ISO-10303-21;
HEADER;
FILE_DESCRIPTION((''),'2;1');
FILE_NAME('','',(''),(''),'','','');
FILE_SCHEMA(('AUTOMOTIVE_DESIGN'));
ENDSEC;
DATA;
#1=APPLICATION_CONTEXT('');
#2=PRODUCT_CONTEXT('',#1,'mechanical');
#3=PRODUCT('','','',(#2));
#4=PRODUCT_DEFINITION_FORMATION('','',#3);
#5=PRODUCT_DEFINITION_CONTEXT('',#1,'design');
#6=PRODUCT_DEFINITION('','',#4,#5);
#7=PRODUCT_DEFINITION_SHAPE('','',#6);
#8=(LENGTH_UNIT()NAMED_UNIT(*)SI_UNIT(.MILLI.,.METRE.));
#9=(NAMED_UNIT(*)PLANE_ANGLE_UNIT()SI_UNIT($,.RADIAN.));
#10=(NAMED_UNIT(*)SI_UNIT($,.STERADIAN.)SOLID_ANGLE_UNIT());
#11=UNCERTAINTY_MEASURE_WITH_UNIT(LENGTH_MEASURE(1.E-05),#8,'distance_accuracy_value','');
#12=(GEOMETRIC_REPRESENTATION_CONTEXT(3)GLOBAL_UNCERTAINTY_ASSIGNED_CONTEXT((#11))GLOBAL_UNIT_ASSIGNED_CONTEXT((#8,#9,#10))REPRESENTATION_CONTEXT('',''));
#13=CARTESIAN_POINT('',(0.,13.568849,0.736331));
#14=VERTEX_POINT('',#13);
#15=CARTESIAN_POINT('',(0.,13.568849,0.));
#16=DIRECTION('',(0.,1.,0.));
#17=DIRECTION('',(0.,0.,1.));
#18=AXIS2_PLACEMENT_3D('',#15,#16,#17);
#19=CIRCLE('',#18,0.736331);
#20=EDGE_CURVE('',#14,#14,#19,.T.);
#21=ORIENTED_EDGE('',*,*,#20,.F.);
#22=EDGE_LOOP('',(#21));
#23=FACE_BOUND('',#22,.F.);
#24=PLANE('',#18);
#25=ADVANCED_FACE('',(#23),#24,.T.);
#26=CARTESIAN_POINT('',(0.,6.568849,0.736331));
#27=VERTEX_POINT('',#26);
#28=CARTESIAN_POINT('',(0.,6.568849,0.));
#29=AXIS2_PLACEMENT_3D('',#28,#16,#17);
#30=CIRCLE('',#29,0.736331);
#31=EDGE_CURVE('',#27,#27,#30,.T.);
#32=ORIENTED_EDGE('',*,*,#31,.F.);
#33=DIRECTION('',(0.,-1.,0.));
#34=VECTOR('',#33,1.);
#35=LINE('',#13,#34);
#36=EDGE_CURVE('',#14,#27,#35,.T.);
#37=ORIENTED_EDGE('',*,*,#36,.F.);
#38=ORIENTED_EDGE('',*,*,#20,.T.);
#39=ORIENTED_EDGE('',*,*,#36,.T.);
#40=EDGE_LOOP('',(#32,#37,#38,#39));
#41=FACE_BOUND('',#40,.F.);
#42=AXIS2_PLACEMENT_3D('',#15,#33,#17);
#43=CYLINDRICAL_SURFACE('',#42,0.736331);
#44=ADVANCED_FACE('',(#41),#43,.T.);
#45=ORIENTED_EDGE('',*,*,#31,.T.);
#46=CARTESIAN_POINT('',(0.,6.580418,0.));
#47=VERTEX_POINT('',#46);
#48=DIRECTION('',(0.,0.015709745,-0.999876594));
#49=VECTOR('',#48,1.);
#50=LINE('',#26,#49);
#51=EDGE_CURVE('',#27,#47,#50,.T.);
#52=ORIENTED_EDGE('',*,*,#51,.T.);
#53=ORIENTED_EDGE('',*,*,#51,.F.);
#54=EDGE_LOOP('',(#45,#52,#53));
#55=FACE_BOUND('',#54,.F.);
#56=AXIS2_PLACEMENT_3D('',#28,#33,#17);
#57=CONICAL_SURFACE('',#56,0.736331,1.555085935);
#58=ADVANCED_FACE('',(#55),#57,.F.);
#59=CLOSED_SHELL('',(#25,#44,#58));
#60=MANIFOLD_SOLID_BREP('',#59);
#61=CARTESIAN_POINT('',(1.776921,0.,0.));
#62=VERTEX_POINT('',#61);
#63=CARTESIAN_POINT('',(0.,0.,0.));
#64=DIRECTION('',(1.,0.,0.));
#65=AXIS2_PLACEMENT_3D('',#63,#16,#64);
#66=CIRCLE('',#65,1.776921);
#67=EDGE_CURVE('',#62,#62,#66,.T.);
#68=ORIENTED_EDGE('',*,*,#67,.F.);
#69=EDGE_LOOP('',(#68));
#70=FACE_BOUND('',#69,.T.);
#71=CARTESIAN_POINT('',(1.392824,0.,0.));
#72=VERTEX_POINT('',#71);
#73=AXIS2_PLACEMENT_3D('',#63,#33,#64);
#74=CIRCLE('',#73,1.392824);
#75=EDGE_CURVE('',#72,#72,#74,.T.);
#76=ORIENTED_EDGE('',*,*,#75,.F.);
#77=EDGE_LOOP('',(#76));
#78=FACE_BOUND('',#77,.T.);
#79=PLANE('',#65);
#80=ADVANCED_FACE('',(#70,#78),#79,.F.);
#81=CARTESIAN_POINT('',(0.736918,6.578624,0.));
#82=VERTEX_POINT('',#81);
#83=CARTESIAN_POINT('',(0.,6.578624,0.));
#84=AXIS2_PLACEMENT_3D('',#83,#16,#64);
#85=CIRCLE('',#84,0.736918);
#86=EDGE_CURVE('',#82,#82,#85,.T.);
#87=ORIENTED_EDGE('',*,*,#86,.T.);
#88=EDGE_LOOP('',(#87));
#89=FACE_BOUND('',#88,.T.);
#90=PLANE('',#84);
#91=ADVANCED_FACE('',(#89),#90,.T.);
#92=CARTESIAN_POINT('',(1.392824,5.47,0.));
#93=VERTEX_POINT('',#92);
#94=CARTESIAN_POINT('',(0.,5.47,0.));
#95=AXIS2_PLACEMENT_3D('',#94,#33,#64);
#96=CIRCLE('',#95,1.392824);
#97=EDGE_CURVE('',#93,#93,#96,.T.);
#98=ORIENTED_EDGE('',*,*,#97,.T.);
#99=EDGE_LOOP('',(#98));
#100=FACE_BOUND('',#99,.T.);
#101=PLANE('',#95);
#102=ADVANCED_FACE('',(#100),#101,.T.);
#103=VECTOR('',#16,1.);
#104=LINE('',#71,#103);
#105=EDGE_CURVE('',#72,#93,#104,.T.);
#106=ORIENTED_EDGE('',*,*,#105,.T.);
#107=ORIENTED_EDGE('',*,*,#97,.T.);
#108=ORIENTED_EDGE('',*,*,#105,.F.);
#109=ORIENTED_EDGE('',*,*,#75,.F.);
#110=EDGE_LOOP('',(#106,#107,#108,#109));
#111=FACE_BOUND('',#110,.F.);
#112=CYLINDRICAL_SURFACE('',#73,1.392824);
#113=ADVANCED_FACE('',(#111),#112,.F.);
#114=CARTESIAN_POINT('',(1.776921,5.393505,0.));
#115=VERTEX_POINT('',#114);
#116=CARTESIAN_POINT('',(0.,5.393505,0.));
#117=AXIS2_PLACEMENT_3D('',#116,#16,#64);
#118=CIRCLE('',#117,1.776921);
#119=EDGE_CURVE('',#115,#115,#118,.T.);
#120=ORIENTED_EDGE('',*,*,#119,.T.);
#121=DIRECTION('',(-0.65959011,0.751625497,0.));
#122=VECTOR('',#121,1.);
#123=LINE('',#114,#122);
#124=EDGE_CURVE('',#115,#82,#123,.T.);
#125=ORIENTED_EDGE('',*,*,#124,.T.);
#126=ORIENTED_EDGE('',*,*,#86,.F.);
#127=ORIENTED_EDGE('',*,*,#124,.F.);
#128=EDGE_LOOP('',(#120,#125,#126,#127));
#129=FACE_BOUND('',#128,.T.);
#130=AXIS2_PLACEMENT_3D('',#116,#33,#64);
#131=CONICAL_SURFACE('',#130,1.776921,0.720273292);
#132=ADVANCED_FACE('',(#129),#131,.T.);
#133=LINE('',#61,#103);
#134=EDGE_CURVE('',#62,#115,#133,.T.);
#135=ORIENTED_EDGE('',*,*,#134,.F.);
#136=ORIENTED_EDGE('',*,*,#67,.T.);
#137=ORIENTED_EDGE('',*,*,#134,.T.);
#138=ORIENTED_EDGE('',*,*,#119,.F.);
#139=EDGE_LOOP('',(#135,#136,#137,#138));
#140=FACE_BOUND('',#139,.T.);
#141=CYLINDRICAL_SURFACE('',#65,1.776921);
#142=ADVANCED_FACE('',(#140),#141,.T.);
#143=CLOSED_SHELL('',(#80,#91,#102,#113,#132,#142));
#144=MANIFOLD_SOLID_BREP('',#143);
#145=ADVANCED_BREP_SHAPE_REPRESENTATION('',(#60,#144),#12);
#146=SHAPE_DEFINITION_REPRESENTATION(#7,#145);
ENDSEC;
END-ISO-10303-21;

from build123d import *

# Parameters (mm, degrees)
F4_R     = 1.392824
F5_DEPTH = 5.47


with BuildPart() as f1:
    # F0 (on Top) → F1 (revolve)
    with BuildSketch(Plane.XY):
        Polygon((0, 6.578624), (0, 0), (1.776921, 0), (1.776921, 5.393505), (0.736918, 6.578624), align=None)
    revolve(axis=Axis((0, 3.289312, 0), (0, 1, 0)))

    # F4 (on face) → F5 (cut)
    with BuildSketch(Plane.XZ):
        Circle(F4_R)
    extrude(amount=-F5_DEPTH, mode=Mode.SUBTRACT)


with BuildPart() as f3:
    # F2 (on Right) → F3 (revolve)
    with BuildSketch(Plane.YZ):
        Polygon((6.568849, 0.736331), (6.580418, 0), (13.568849, 0), (13.568849, 0.736331), align=None)
    revolve(axis=Axis((0, 10.074633, 0), (0, 1, 0)))


solid = Compound([f1.part, f3.part])
